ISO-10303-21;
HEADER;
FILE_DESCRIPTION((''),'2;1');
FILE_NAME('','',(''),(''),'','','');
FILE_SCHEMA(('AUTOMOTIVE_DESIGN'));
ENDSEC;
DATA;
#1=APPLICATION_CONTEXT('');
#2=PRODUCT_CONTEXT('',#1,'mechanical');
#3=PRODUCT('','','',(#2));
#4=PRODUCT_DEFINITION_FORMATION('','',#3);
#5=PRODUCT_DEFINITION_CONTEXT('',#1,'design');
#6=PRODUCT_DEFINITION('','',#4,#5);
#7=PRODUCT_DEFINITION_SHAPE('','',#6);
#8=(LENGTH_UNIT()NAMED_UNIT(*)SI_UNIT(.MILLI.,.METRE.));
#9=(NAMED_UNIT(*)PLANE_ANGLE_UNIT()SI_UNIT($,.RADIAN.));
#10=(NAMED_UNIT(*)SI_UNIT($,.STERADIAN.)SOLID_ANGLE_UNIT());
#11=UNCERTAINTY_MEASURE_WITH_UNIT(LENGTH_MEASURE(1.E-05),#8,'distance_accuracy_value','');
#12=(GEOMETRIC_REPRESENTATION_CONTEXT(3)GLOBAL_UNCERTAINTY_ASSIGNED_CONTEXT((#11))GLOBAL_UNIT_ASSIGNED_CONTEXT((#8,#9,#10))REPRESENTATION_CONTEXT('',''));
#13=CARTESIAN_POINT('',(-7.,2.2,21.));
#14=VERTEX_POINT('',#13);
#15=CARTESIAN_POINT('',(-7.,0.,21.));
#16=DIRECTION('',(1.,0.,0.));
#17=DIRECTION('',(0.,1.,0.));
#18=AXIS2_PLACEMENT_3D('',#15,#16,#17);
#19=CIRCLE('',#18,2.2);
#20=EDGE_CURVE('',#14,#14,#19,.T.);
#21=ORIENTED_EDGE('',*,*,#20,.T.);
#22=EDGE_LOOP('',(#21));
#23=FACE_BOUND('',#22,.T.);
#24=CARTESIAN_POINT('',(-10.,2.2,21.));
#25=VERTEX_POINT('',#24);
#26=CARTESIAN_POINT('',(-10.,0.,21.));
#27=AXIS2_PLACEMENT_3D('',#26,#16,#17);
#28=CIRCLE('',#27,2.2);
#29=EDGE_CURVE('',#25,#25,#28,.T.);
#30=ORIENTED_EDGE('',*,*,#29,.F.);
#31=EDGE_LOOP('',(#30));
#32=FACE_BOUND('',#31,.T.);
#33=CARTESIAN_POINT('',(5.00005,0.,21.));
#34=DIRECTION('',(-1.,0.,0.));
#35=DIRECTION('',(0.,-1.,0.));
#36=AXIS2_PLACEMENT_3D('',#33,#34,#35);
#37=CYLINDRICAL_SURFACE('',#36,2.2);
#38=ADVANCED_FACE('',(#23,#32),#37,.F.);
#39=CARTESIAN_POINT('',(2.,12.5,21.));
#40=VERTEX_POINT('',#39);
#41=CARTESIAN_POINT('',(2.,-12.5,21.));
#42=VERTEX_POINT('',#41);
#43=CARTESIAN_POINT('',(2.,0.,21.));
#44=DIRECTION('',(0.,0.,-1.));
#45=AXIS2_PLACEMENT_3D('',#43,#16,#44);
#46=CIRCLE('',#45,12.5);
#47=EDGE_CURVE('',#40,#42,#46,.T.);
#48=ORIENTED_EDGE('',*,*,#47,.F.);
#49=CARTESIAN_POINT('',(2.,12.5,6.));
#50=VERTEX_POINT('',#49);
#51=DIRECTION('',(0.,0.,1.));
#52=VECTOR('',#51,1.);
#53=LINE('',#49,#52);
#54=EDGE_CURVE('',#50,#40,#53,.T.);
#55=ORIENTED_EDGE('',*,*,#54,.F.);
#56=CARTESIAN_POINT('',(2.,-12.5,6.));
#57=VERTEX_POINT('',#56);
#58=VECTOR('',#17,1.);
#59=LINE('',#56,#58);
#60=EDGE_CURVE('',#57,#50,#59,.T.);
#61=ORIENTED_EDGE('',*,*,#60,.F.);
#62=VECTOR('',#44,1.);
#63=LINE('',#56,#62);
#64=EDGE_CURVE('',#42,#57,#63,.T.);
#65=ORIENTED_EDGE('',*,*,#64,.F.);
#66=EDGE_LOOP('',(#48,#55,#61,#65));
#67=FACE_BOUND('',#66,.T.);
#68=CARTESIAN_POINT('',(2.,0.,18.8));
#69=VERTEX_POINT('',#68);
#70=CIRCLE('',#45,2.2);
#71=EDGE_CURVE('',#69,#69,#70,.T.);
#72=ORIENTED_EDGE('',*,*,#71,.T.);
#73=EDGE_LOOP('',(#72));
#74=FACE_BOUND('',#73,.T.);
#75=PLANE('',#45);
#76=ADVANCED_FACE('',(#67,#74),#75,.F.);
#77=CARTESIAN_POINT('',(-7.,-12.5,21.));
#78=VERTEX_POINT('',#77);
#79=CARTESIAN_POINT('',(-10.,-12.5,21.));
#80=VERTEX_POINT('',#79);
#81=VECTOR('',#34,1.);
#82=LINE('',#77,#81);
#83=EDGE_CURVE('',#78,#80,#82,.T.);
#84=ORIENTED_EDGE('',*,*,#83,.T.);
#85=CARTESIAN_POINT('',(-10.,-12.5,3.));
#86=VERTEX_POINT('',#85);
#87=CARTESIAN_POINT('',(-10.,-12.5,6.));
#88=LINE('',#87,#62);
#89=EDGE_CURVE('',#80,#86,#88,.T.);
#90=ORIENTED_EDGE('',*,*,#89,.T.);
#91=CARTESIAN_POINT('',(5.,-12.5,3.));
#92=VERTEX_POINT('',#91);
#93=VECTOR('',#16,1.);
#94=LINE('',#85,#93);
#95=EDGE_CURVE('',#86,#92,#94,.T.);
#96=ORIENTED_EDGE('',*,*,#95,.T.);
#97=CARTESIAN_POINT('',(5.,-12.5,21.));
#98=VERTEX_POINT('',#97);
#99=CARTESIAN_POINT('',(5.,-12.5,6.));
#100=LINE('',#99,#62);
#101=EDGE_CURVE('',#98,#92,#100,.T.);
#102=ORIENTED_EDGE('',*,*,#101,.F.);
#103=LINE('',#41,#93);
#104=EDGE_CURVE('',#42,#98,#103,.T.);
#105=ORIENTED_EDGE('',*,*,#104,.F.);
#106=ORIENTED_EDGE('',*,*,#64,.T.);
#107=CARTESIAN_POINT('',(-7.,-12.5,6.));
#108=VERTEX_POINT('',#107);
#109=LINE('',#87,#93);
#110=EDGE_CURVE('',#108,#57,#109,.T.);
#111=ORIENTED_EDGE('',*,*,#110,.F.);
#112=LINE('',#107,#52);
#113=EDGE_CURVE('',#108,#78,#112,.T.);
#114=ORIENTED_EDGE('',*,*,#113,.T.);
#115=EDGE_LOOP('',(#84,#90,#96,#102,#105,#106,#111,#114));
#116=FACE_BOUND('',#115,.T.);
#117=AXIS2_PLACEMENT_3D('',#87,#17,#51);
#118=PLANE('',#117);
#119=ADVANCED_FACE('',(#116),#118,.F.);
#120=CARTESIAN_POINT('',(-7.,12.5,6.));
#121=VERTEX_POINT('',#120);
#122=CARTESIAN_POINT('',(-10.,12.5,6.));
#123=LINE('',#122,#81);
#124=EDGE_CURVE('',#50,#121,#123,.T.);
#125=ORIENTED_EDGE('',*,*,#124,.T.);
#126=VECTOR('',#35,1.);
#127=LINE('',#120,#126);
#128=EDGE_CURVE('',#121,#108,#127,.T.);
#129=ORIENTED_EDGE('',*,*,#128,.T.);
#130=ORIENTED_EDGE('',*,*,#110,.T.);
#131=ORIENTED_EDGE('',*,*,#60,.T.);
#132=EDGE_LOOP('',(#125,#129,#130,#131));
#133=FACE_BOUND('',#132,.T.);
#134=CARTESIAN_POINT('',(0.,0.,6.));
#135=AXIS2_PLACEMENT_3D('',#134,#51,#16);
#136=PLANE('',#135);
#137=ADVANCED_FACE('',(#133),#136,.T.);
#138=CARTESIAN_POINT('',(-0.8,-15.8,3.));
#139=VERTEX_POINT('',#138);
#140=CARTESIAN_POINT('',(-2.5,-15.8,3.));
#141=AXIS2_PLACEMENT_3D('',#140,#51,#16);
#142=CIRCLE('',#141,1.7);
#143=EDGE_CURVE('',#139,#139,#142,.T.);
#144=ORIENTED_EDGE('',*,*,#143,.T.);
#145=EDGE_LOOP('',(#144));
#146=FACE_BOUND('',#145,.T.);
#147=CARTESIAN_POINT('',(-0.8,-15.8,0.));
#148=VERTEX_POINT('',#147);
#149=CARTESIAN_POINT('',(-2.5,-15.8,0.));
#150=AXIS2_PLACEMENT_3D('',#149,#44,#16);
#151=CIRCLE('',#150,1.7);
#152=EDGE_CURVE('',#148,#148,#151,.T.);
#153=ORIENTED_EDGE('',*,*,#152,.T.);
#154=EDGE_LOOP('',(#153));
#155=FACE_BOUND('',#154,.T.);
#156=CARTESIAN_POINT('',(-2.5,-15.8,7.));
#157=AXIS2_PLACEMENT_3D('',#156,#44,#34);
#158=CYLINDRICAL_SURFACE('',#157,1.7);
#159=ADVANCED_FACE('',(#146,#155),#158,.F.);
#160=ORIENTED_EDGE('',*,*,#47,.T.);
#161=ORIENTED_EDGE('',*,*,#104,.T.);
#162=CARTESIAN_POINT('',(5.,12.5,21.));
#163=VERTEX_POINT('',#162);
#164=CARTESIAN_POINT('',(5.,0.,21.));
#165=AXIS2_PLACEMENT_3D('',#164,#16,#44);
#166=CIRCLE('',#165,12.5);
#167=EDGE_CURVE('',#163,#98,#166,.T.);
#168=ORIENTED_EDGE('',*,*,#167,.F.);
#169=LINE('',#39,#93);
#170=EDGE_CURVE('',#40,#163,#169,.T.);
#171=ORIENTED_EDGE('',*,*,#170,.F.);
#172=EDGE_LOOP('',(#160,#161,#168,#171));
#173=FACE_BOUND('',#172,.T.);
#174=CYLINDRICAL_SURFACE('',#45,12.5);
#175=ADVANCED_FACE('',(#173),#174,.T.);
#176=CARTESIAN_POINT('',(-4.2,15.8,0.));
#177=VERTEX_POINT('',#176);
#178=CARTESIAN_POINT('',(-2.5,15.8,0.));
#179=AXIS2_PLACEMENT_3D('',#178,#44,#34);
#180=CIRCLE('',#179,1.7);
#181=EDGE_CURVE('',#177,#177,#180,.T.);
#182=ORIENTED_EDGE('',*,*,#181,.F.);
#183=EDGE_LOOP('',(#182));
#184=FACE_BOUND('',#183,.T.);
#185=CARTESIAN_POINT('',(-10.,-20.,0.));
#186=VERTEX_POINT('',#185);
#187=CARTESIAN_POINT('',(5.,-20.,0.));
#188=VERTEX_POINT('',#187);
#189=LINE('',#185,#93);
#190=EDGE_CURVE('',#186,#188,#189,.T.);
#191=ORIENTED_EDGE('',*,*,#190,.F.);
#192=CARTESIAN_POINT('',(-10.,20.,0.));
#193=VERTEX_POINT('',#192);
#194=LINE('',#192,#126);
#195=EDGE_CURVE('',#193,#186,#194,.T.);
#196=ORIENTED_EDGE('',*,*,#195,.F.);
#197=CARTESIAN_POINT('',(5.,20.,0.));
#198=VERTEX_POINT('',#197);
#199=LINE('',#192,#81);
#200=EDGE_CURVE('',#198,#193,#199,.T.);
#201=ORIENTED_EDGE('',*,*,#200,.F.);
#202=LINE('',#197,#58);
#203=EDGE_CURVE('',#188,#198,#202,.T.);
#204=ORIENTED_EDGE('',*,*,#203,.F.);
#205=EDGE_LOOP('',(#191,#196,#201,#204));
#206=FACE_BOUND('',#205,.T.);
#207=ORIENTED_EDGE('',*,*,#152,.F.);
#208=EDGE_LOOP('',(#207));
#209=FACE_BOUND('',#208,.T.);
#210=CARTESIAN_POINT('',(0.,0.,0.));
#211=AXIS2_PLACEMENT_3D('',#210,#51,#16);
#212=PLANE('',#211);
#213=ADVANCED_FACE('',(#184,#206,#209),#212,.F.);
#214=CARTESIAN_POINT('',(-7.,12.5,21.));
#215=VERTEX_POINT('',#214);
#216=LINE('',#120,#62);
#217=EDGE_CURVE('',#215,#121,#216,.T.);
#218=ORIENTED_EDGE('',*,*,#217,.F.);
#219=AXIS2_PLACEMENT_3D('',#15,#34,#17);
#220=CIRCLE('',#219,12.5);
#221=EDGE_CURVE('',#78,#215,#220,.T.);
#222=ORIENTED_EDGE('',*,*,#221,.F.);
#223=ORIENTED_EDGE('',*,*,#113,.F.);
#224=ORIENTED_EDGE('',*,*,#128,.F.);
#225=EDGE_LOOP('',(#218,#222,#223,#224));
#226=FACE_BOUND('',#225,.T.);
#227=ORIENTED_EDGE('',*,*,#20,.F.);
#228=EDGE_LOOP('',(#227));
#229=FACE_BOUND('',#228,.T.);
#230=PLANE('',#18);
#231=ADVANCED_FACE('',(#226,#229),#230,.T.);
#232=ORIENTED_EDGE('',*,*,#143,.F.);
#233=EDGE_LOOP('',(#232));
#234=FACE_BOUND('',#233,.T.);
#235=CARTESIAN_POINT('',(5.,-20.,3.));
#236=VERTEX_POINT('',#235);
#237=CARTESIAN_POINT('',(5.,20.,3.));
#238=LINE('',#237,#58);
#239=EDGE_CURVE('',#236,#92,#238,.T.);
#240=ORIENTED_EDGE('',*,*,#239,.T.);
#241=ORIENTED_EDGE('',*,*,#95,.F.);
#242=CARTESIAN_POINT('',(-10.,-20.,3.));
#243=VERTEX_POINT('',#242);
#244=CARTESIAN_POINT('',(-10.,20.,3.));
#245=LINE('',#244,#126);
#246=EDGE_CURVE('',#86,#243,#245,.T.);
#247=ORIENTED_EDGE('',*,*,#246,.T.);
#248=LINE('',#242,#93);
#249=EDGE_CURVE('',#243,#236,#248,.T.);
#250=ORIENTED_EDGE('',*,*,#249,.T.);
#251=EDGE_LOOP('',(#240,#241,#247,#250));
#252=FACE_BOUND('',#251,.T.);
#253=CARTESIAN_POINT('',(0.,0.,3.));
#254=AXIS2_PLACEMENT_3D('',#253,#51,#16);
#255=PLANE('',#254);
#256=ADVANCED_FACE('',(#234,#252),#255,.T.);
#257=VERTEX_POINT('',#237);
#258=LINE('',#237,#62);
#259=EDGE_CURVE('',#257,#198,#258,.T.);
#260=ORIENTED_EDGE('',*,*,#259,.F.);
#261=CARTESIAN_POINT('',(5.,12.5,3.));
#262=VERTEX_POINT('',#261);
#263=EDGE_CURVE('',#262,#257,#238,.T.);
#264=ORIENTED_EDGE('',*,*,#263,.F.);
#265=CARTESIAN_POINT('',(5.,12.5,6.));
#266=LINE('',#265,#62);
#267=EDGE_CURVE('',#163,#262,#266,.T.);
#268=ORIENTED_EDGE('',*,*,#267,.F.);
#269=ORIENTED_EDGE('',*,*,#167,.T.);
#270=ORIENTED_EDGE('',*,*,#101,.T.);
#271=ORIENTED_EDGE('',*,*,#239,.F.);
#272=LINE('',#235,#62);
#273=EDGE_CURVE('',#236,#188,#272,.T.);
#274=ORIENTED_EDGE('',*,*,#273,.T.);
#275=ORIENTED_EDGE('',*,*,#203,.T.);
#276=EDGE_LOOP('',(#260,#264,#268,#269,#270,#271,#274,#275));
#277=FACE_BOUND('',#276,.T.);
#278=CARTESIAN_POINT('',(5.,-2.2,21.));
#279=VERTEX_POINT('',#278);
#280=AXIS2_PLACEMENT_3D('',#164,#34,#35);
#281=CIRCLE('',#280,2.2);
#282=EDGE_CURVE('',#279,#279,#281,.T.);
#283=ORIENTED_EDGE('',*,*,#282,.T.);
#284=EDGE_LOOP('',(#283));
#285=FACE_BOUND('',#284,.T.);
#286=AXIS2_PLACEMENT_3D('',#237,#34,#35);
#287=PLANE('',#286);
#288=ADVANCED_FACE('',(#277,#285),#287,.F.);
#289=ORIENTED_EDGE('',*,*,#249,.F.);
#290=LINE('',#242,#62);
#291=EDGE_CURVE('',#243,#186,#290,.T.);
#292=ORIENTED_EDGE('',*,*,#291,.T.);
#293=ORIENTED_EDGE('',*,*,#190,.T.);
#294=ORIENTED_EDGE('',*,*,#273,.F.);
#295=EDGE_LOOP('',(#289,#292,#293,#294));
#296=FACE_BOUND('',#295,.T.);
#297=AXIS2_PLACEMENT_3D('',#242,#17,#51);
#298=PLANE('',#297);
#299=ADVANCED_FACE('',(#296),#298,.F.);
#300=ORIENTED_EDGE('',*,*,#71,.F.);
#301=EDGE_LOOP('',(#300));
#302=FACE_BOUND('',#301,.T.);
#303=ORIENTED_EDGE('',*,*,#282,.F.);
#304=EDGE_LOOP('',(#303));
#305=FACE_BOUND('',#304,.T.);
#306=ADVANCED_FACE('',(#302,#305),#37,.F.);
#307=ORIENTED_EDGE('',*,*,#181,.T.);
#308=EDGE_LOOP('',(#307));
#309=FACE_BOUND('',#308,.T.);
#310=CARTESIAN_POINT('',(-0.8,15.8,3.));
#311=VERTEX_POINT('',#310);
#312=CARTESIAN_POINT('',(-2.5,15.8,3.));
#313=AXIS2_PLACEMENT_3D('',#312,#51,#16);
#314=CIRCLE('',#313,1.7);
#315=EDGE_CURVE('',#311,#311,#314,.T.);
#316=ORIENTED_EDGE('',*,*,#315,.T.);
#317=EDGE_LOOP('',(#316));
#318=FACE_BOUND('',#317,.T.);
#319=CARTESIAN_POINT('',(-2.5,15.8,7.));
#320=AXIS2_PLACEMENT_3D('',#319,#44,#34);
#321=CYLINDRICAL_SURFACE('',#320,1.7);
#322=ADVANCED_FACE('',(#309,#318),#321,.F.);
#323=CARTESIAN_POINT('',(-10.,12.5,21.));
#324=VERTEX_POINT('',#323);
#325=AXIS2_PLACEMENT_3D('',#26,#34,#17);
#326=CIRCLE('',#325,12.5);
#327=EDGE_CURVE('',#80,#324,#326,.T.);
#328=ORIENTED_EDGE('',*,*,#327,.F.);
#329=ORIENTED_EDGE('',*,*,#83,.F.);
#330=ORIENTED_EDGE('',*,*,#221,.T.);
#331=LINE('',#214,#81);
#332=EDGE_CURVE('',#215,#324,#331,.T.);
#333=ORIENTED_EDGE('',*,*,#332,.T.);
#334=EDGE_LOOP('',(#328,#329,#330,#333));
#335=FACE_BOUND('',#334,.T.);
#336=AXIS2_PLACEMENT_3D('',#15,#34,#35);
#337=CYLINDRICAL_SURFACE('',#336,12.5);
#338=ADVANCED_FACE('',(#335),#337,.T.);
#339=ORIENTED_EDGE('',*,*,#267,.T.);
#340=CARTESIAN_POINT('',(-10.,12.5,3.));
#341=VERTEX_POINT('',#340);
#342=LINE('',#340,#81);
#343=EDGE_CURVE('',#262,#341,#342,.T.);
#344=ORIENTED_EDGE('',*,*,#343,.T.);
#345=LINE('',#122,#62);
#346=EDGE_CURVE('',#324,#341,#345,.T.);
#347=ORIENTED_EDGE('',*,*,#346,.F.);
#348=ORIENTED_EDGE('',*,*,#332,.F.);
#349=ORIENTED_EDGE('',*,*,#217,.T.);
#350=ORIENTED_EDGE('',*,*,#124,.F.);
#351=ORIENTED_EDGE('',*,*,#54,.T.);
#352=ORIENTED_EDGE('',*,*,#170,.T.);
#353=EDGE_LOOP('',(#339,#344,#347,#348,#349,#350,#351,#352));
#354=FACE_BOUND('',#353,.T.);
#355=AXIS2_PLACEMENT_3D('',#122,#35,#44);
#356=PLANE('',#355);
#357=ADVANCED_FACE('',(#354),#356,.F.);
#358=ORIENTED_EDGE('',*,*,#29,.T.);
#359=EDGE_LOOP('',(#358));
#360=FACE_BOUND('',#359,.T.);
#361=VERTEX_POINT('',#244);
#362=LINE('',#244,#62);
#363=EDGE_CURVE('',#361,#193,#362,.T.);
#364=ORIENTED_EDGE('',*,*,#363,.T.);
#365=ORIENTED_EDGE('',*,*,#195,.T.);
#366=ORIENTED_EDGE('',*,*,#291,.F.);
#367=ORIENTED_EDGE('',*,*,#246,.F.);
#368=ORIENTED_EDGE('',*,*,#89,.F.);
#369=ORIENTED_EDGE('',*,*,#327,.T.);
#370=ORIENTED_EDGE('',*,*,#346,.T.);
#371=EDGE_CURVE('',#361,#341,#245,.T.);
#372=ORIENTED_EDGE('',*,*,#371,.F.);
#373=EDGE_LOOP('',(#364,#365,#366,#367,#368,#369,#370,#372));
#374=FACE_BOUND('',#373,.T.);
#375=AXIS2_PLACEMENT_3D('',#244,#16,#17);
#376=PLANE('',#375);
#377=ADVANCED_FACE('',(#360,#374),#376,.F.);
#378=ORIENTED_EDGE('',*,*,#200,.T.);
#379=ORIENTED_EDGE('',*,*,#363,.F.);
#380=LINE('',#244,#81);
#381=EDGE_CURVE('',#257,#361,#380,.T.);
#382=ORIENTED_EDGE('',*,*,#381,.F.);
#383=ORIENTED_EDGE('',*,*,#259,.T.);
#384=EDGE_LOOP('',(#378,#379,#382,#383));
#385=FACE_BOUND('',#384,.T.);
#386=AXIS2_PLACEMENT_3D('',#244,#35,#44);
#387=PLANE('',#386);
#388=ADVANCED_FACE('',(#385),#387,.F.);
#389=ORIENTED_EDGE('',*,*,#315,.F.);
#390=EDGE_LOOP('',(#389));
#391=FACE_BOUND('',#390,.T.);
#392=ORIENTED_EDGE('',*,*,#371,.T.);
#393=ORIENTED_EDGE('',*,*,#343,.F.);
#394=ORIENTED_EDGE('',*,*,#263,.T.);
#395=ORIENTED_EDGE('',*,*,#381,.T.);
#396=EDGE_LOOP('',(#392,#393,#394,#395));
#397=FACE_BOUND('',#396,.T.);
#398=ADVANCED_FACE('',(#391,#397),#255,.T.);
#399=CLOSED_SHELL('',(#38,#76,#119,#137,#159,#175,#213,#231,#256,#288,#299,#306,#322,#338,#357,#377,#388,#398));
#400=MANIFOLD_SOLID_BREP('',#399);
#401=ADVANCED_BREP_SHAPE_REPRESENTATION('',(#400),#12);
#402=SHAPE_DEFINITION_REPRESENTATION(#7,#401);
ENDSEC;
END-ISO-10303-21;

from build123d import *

# Parameters (mm, degrees)
SCHIZZO1_W                    = 15
SCHIZZO1_H                    = 40
ESTRUSIONE_ESTRUSIONE1_DEPTH  = 3
SCHIZZO2_W                    = 15
SCHIZZO2_H                    = 25
ESTRUSIONE_ESTRUSIONE2_DEPTH  = 3
ESTRUSIONE_ESTRUSIONE4_DEPTH  = 3
ESTRUSIONE_ESTRUSIONE5_START  = -3
ESTRUSIONE_ESTRUSIONE5_DEPTH  = 3
TAGLIO_ESTRUSIONE1_DEPTH      = 42.800119617
TAGLIO_ESTRUSIONE1_DEPTH_BACK = 42.800119617
SCHIZZO7_R                    = 2.2
SCHIZZO9_R                    = 1.7
TAGLIO_ESTRUSIONE2_DEPTH      = 7


with BuildPart() as part:
    # Schizzo1 → Estrusione-Estrusione1 (new body)
    with BuildSketch(Plane.XY):
        with Locations((-2.5, 0)):
            Rectangle(SCHIZZO1_W, SCHIZZO1_H)
    extrude(amount=ESTRUSIONE_ESTRUSIONE1_DEPTH)

    # Schizzo2 → Estrusione-Estrusione2 (add)
    with BuildSketch(Plane.XY.offset(3)):
        with Locations((-2.5, 0)):
            Rectangle(SCHIZZO2_W, SCHIZZO2_H)
    extrude(amount=ESTRUSIONE_ESTRUSIONE2_DEPTH)

    # Schizzo5 → Estrusione-Estrusione4 (add)
    with BuildSketch(Plane.ZY.offset(10)):
        with BuildLine():
            Line((6, 12.5), (21, 12.5))
            ThreePointArc((21, 12.5), (33.5, 0), (21, -12.5))
            Line((21, -12.5), (6, -12.5))
            Line((6, -12.5), (6, 12.5))
        make_face()
    extrude(amount=-ESTRUSIONE_ESTRUSIONE4_DEPTH)

    # Schizzo6 → Estrusione-Estrusione5 (add)
    with BuildSketch(Plane(origin=(5, 0, 0), x_dir=(0, 0, -1), z_dir=(1, 0, 0)).offset(ESTRUSIONE_ESTRUSIONE5_START)):
        with BuildLine():
            Line((-6, -12.5), (-6, 12.5))
            Line((-6, 12.5), (-21, 12.5))
            ThreePointArc((-21, 12.5), (-33.5, 0), (-21, -12.5))
            Line((-21, -12.5), (-6, -12.5))
        make_face()
    extrude(amount=ESTRUSIONE_ESTRUSIONE5_DEPTH)

    # Schizzo7 → Taglio-Estrusione1 (cut, two sides: drawn at the far end of the back side and taken through both)
    with BuildSketch(Plane.ZY.offset(10).offset(-TAGLIO_ESTRUSIONE1_DEPTH_BACK)):
        with Locations(Location((21, 0, 0), (0, 0, 270))):
            Circle(SCHIZZO7_R)
    extrude(amount=TAGLIO_ESTRUSIONE1_DEPTH + TAGLIO_ESTRUSIONE1_DEPTH_BACK, mode=Mode.SUBTRACT)

    # Schizzo9 → Taglio-Estrusione2 (cut)
    with BuildSketch(Plane(origin=(0, 0, 0), x_dir=(-1, 0, 0), z_dir=(0, 0, -1))):
        with Locations((2.5, 15.8)):
            Circle(SCHIZZO9_R)
        with Locations(Location((2.5, -15.8, 0), (0, 0, 180))):
            Circle(SCHIZZO9_R)
    extrude(amount=-TAGLIO_ESTRUSIONE2_DEPTH, mode=Mode.SUBTRACT)


solid = part.part
